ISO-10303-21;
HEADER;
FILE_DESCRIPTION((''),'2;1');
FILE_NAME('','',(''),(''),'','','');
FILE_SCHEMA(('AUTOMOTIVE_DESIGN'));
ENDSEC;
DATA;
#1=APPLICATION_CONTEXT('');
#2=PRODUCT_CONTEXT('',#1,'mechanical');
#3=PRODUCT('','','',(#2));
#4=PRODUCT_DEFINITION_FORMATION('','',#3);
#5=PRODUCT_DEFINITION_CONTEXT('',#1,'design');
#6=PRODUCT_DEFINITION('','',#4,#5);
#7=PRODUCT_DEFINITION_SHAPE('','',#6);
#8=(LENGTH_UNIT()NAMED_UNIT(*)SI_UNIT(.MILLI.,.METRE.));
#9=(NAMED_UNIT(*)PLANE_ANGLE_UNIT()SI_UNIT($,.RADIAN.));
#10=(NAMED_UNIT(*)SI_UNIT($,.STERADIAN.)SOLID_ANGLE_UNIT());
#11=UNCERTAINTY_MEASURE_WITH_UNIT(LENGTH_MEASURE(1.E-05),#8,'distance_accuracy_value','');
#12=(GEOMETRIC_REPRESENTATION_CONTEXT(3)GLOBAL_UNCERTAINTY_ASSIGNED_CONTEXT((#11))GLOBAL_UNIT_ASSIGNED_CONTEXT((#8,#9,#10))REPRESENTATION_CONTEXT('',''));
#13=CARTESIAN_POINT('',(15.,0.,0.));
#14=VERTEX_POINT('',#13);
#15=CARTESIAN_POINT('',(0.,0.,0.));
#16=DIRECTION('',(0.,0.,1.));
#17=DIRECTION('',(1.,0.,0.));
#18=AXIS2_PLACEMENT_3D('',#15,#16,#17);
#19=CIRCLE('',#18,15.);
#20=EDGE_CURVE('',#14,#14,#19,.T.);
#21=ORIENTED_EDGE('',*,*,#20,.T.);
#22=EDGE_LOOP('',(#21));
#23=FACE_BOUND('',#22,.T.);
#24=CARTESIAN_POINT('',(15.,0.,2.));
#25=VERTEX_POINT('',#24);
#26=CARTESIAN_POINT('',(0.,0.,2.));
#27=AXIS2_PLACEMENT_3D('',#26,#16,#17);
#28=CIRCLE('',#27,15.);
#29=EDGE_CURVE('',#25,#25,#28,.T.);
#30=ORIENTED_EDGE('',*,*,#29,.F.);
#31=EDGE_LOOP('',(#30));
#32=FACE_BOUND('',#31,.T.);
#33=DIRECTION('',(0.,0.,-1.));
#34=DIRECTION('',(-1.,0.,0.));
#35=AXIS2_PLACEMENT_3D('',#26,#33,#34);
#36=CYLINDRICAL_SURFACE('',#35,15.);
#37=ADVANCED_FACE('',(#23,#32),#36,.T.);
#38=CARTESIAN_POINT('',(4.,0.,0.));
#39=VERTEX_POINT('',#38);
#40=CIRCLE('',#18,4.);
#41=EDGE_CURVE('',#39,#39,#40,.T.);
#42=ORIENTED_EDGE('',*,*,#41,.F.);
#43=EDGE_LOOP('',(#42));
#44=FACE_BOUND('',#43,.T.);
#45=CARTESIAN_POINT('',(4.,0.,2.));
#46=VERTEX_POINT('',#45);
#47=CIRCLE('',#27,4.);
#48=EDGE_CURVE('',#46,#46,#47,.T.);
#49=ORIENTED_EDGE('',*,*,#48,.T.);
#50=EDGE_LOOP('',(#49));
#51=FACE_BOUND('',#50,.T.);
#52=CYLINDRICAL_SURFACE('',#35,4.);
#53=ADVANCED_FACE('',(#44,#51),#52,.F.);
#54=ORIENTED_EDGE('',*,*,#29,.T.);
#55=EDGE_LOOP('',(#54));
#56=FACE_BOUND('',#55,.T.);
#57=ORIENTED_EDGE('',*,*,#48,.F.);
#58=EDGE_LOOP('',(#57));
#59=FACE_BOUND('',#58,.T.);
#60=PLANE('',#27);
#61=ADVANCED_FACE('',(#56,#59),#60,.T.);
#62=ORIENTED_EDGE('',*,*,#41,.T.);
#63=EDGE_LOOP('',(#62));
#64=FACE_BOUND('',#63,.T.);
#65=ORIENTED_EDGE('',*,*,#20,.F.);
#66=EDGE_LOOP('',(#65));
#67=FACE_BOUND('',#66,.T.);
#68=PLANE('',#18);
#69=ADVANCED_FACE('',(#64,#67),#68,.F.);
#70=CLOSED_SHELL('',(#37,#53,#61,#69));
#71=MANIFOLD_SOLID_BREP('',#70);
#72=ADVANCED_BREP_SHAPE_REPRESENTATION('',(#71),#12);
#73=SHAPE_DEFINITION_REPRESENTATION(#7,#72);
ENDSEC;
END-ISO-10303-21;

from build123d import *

# Parameters (mm, degrees)
ESQUISSE1_R          = 15
ESQUISSE1_R_2        = 4
BASE_EXTRUSION_DEPTH = 2


with BuildPart() as part:
    # Esquisse1 → Base-Extrusion (new body)
    with BuildSketch(Plane.XY):
        Circle(ESQUISSE1_R)
        Circle(ESQUISSE1_R_2, mode=Mode.SUBTRACT)
    extrude(amount=BASE_EXTRUSION_DEPTH)


solid = part.part
